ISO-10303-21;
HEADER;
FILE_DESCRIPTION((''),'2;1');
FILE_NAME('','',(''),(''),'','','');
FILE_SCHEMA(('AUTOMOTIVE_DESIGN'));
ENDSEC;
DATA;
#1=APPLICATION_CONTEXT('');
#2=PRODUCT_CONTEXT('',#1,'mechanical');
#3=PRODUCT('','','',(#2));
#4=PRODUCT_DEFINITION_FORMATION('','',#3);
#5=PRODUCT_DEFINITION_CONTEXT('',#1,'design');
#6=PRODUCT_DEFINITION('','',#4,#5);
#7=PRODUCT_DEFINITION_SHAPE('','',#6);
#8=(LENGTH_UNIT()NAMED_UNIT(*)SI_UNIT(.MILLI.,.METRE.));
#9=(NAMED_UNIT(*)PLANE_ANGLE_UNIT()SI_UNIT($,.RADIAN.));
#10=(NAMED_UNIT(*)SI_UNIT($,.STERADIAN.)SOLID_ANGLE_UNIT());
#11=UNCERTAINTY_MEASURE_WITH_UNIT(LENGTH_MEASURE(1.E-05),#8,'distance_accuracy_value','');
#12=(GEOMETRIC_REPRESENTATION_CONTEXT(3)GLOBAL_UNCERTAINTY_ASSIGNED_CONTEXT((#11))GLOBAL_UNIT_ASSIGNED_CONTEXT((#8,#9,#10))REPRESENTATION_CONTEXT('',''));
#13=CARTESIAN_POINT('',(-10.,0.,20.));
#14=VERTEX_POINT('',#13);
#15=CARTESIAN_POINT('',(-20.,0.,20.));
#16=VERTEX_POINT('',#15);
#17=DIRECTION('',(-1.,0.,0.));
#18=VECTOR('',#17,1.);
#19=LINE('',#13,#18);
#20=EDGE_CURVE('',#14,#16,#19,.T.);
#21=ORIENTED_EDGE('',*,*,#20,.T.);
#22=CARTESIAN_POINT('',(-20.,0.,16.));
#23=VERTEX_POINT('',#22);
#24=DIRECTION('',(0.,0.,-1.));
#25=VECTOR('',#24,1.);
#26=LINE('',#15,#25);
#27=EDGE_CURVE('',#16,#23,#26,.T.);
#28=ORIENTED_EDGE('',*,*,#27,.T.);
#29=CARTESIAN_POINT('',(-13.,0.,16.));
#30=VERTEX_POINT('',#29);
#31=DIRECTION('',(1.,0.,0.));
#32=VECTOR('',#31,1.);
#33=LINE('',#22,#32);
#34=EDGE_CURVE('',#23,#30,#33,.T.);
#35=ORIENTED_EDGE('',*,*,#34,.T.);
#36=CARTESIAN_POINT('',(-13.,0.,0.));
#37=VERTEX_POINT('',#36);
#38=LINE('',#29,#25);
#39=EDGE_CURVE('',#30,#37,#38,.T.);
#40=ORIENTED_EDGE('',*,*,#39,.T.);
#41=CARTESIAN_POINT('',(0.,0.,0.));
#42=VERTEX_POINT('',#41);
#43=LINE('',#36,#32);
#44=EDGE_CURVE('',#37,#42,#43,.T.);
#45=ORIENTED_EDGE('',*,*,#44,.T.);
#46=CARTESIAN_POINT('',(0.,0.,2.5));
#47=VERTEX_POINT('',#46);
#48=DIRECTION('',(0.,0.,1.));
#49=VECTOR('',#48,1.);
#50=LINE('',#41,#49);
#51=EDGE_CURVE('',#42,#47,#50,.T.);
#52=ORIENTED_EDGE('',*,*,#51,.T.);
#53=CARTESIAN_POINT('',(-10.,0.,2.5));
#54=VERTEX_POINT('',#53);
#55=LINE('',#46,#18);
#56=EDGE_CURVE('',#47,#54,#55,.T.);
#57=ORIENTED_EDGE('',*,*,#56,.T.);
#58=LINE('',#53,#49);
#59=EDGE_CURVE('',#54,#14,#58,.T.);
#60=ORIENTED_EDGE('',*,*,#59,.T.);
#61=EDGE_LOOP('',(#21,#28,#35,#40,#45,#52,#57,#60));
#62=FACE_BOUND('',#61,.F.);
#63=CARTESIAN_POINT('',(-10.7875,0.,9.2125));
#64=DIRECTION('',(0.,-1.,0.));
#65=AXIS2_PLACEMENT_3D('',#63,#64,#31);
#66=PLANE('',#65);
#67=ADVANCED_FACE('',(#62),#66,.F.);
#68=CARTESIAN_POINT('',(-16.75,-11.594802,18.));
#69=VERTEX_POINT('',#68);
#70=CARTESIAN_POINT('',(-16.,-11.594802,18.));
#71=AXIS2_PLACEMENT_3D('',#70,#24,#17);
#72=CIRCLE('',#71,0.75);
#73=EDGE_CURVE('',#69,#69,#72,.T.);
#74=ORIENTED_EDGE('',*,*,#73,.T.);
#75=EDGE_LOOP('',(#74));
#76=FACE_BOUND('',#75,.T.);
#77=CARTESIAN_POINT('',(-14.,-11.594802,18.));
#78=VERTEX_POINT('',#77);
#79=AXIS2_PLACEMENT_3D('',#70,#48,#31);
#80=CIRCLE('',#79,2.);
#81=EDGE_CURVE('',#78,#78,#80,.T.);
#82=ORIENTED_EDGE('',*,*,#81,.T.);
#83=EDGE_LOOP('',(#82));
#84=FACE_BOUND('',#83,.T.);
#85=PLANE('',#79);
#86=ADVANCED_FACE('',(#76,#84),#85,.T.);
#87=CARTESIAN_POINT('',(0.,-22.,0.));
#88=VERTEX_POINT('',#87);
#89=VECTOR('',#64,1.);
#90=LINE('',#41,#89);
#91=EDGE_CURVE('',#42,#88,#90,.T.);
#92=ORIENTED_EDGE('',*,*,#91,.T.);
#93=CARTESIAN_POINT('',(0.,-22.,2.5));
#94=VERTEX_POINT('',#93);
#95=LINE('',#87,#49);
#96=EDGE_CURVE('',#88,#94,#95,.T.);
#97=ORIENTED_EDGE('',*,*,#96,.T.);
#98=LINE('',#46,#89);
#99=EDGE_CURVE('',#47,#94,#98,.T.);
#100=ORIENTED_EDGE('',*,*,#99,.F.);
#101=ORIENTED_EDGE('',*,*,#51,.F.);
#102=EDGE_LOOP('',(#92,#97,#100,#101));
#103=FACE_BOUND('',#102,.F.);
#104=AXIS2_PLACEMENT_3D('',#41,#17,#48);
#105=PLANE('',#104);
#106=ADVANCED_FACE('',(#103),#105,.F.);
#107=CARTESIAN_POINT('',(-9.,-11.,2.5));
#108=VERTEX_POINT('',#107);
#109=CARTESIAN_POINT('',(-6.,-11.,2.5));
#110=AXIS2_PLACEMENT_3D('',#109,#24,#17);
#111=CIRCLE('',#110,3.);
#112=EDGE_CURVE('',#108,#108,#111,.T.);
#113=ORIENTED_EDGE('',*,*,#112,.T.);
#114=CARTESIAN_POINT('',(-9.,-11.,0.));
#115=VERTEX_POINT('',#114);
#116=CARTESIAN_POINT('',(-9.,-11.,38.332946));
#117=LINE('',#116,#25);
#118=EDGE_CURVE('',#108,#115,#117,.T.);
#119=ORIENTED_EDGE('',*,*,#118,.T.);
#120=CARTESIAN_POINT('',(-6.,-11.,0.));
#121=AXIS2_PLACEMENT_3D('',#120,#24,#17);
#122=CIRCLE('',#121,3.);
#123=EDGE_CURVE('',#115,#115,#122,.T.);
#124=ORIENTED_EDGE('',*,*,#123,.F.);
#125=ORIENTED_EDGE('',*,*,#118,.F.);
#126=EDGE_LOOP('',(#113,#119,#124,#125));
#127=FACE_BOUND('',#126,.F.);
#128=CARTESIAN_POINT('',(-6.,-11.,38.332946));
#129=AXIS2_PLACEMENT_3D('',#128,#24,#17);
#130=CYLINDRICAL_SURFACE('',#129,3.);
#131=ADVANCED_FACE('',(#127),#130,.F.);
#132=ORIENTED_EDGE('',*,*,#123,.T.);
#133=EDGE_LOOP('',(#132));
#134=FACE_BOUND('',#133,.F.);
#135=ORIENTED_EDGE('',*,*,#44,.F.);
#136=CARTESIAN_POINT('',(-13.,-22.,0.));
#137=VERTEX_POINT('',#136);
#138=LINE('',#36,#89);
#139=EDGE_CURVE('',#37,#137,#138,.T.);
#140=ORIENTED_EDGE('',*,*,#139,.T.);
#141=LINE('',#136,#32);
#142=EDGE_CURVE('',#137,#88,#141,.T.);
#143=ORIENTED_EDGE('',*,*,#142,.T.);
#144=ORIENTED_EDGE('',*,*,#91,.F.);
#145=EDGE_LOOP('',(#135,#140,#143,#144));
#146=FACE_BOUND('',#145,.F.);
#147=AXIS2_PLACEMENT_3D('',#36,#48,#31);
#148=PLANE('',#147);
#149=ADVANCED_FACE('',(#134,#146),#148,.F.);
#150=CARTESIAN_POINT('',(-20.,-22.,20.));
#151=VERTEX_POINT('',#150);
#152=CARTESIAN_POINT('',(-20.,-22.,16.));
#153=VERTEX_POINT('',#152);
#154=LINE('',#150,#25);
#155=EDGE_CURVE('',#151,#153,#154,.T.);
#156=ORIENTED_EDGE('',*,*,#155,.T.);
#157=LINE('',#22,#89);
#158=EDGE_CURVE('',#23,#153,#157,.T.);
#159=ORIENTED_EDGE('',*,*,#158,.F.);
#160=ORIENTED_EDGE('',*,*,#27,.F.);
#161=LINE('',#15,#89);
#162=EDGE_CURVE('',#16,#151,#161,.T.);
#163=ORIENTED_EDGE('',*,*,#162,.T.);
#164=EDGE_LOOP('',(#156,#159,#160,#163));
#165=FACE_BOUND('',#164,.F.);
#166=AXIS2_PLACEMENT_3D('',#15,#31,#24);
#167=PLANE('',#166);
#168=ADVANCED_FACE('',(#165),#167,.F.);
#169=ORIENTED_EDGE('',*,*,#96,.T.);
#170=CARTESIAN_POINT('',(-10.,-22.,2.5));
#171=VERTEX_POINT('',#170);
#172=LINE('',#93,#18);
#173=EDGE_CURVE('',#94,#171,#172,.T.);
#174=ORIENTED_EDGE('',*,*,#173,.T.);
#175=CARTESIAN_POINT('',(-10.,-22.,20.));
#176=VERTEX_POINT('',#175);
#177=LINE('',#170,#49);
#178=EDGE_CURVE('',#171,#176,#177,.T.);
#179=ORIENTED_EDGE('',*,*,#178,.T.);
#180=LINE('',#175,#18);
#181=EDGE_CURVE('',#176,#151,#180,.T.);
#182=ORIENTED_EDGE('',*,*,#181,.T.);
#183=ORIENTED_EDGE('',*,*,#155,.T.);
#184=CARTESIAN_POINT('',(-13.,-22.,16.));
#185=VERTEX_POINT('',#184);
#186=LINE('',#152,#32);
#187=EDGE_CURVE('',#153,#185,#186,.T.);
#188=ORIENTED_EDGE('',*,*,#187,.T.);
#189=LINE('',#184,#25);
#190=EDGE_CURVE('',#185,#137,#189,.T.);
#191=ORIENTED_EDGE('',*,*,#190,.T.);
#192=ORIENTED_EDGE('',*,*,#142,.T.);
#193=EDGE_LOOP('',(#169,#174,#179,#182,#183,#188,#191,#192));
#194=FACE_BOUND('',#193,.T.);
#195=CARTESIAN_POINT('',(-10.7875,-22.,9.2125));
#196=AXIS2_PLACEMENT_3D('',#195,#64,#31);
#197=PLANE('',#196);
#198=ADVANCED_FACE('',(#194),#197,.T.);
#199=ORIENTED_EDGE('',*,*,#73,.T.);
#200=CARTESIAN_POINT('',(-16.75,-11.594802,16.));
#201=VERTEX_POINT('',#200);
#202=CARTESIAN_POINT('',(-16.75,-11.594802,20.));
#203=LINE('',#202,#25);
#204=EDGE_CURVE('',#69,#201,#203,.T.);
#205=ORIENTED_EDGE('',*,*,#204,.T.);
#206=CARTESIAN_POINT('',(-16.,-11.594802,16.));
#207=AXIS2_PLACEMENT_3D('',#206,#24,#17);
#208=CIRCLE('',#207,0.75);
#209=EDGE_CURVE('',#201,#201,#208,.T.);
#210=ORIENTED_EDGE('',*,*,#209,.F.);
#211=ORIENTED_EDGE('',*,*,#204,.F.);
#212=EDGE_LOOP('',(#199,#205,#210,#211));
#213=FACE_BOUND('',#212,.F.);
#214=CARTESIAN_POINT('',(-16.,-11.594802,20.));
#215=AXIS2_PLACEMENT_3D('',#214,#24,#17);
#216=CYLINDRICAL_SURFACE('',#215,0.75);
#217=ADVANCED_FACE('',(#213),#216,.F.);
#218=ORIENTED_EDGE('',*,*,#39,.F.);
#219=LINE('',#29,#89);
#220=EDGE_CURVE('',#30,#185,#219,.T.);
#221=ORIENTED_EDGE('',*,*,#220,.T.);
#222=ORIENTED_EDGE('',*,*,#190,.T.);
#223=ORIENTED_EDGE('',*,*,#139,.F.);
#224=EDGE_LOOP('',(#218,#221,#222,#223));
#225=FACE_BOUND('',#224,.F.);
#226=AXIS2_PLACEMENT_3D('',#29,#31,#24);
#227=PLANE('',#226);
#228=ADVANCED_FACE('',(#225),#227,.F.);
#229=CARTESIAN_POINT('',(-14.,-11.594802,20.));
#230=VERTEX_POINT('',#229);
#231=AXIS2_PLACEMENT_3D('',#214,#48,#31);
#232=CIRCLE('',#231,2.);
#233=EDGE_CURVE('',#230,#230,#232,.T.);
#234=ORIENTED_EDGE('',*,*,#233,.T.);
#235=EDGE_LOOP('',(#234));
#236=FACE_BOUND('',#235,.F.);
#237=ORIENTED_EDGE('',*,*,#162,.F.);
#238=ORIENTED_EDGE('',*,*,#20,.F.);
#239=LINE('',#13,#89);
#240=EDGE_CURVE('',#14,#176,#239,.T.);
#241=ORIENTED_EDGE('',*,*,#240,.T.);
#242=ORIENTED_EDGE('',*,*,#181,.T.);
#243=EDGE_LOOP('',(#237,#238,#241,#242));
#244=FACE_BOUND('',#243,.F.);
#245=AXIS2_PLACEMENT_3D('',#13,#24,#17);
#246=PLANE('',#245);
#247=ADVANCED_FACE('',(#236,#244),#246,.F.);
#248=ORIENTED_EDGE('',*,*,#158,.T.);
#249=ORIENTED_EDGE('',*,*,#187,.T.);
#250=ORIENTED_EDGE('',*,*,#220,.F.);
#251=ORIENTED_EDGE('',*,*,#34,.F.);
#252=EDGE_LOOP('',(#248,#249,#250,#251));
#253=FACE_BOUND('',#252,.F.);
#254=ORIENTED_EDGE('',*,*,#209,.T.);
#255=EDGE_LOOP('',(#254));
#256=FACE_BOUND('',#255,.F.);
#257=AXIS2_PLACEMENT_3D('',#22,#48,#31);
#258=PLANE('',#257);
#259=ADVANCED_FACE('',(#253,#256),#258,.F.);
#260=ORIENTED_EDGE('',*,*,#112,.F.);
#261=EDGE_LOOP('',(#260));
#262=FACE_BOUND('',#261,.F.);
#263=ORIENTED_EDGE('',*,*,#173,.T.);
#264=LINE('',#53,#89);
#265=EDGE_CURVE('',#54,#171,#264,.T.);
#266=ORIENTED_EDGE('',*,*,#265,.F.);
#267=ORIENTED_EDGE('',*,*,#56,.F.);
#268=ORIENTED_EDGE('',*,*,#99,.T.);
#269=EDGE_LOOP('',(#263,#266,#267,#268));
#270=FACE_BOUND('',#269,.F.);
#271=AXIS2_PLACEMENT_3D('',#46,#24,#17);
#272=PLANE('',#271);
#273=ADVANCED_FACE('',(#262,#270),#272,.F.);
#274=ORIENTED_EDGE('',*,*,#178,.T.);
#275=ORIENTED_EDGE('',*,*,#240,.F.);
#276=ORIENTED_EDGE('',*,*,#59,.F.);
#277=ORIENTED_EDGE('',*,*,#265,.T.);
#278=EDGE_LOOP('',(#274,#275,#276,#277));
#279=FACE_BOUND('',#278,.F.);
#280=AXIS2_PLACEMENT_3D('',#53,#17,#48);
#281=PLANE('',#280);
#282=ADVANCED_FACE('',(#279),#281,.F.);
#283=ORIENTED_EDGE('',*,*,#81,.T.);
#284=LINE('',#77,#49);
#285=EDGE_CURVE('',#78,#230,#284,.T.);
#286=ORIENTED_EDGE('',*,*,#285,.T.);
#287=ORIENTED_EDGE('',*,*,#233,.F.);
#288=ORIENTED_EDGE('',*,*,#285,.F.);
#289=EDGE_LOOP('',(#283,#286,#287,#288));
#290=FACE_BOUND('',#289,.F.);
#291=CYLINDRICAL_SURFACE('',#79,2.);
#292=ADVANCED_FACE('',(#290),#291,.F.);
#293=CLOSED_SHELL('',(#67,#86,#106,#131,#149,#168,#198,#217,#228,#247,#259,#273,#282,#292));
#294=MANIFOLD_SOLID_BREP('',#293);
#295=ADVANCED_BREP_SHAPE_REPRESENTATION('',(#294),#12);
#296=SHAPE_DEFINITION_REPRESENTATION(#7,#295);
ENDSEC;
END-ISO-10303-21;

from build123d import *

# Parameters (mm, degrees)
F1_DEPTH       = 22
F3_D           = 6
F5_D           = 1.5
F5_CBORE_D     = 4
F5_CBORE_DEPTH = 2


with BuildPart() as f1:
    # F0 (on Front) → F1 (new body)
    with BuildSketch(Plane.XZ):
        Polygon((-13, 0), (0, 0), (0, 2.5), (-10, 2.5), (-10, 20), (-20, 20), (-20, 16), (-13, 16), align=None)
    extrude(amount=F1_DEPTH)

    # F3 (through all)
    with Locations(Plane.XY.offset(2.5)):
        with Locations((-6, -11)):
            Hole(F3_D / 2)

    # F5 (through all)
    with Locations(Plane.XY.offset(20)):
        with Locations((-16, -11.594802)):
            CounterBoreHole(F5_D / 2, F5_CBORE_D / 2, F5_CBORE_DEPTH)


solid = f1.part
